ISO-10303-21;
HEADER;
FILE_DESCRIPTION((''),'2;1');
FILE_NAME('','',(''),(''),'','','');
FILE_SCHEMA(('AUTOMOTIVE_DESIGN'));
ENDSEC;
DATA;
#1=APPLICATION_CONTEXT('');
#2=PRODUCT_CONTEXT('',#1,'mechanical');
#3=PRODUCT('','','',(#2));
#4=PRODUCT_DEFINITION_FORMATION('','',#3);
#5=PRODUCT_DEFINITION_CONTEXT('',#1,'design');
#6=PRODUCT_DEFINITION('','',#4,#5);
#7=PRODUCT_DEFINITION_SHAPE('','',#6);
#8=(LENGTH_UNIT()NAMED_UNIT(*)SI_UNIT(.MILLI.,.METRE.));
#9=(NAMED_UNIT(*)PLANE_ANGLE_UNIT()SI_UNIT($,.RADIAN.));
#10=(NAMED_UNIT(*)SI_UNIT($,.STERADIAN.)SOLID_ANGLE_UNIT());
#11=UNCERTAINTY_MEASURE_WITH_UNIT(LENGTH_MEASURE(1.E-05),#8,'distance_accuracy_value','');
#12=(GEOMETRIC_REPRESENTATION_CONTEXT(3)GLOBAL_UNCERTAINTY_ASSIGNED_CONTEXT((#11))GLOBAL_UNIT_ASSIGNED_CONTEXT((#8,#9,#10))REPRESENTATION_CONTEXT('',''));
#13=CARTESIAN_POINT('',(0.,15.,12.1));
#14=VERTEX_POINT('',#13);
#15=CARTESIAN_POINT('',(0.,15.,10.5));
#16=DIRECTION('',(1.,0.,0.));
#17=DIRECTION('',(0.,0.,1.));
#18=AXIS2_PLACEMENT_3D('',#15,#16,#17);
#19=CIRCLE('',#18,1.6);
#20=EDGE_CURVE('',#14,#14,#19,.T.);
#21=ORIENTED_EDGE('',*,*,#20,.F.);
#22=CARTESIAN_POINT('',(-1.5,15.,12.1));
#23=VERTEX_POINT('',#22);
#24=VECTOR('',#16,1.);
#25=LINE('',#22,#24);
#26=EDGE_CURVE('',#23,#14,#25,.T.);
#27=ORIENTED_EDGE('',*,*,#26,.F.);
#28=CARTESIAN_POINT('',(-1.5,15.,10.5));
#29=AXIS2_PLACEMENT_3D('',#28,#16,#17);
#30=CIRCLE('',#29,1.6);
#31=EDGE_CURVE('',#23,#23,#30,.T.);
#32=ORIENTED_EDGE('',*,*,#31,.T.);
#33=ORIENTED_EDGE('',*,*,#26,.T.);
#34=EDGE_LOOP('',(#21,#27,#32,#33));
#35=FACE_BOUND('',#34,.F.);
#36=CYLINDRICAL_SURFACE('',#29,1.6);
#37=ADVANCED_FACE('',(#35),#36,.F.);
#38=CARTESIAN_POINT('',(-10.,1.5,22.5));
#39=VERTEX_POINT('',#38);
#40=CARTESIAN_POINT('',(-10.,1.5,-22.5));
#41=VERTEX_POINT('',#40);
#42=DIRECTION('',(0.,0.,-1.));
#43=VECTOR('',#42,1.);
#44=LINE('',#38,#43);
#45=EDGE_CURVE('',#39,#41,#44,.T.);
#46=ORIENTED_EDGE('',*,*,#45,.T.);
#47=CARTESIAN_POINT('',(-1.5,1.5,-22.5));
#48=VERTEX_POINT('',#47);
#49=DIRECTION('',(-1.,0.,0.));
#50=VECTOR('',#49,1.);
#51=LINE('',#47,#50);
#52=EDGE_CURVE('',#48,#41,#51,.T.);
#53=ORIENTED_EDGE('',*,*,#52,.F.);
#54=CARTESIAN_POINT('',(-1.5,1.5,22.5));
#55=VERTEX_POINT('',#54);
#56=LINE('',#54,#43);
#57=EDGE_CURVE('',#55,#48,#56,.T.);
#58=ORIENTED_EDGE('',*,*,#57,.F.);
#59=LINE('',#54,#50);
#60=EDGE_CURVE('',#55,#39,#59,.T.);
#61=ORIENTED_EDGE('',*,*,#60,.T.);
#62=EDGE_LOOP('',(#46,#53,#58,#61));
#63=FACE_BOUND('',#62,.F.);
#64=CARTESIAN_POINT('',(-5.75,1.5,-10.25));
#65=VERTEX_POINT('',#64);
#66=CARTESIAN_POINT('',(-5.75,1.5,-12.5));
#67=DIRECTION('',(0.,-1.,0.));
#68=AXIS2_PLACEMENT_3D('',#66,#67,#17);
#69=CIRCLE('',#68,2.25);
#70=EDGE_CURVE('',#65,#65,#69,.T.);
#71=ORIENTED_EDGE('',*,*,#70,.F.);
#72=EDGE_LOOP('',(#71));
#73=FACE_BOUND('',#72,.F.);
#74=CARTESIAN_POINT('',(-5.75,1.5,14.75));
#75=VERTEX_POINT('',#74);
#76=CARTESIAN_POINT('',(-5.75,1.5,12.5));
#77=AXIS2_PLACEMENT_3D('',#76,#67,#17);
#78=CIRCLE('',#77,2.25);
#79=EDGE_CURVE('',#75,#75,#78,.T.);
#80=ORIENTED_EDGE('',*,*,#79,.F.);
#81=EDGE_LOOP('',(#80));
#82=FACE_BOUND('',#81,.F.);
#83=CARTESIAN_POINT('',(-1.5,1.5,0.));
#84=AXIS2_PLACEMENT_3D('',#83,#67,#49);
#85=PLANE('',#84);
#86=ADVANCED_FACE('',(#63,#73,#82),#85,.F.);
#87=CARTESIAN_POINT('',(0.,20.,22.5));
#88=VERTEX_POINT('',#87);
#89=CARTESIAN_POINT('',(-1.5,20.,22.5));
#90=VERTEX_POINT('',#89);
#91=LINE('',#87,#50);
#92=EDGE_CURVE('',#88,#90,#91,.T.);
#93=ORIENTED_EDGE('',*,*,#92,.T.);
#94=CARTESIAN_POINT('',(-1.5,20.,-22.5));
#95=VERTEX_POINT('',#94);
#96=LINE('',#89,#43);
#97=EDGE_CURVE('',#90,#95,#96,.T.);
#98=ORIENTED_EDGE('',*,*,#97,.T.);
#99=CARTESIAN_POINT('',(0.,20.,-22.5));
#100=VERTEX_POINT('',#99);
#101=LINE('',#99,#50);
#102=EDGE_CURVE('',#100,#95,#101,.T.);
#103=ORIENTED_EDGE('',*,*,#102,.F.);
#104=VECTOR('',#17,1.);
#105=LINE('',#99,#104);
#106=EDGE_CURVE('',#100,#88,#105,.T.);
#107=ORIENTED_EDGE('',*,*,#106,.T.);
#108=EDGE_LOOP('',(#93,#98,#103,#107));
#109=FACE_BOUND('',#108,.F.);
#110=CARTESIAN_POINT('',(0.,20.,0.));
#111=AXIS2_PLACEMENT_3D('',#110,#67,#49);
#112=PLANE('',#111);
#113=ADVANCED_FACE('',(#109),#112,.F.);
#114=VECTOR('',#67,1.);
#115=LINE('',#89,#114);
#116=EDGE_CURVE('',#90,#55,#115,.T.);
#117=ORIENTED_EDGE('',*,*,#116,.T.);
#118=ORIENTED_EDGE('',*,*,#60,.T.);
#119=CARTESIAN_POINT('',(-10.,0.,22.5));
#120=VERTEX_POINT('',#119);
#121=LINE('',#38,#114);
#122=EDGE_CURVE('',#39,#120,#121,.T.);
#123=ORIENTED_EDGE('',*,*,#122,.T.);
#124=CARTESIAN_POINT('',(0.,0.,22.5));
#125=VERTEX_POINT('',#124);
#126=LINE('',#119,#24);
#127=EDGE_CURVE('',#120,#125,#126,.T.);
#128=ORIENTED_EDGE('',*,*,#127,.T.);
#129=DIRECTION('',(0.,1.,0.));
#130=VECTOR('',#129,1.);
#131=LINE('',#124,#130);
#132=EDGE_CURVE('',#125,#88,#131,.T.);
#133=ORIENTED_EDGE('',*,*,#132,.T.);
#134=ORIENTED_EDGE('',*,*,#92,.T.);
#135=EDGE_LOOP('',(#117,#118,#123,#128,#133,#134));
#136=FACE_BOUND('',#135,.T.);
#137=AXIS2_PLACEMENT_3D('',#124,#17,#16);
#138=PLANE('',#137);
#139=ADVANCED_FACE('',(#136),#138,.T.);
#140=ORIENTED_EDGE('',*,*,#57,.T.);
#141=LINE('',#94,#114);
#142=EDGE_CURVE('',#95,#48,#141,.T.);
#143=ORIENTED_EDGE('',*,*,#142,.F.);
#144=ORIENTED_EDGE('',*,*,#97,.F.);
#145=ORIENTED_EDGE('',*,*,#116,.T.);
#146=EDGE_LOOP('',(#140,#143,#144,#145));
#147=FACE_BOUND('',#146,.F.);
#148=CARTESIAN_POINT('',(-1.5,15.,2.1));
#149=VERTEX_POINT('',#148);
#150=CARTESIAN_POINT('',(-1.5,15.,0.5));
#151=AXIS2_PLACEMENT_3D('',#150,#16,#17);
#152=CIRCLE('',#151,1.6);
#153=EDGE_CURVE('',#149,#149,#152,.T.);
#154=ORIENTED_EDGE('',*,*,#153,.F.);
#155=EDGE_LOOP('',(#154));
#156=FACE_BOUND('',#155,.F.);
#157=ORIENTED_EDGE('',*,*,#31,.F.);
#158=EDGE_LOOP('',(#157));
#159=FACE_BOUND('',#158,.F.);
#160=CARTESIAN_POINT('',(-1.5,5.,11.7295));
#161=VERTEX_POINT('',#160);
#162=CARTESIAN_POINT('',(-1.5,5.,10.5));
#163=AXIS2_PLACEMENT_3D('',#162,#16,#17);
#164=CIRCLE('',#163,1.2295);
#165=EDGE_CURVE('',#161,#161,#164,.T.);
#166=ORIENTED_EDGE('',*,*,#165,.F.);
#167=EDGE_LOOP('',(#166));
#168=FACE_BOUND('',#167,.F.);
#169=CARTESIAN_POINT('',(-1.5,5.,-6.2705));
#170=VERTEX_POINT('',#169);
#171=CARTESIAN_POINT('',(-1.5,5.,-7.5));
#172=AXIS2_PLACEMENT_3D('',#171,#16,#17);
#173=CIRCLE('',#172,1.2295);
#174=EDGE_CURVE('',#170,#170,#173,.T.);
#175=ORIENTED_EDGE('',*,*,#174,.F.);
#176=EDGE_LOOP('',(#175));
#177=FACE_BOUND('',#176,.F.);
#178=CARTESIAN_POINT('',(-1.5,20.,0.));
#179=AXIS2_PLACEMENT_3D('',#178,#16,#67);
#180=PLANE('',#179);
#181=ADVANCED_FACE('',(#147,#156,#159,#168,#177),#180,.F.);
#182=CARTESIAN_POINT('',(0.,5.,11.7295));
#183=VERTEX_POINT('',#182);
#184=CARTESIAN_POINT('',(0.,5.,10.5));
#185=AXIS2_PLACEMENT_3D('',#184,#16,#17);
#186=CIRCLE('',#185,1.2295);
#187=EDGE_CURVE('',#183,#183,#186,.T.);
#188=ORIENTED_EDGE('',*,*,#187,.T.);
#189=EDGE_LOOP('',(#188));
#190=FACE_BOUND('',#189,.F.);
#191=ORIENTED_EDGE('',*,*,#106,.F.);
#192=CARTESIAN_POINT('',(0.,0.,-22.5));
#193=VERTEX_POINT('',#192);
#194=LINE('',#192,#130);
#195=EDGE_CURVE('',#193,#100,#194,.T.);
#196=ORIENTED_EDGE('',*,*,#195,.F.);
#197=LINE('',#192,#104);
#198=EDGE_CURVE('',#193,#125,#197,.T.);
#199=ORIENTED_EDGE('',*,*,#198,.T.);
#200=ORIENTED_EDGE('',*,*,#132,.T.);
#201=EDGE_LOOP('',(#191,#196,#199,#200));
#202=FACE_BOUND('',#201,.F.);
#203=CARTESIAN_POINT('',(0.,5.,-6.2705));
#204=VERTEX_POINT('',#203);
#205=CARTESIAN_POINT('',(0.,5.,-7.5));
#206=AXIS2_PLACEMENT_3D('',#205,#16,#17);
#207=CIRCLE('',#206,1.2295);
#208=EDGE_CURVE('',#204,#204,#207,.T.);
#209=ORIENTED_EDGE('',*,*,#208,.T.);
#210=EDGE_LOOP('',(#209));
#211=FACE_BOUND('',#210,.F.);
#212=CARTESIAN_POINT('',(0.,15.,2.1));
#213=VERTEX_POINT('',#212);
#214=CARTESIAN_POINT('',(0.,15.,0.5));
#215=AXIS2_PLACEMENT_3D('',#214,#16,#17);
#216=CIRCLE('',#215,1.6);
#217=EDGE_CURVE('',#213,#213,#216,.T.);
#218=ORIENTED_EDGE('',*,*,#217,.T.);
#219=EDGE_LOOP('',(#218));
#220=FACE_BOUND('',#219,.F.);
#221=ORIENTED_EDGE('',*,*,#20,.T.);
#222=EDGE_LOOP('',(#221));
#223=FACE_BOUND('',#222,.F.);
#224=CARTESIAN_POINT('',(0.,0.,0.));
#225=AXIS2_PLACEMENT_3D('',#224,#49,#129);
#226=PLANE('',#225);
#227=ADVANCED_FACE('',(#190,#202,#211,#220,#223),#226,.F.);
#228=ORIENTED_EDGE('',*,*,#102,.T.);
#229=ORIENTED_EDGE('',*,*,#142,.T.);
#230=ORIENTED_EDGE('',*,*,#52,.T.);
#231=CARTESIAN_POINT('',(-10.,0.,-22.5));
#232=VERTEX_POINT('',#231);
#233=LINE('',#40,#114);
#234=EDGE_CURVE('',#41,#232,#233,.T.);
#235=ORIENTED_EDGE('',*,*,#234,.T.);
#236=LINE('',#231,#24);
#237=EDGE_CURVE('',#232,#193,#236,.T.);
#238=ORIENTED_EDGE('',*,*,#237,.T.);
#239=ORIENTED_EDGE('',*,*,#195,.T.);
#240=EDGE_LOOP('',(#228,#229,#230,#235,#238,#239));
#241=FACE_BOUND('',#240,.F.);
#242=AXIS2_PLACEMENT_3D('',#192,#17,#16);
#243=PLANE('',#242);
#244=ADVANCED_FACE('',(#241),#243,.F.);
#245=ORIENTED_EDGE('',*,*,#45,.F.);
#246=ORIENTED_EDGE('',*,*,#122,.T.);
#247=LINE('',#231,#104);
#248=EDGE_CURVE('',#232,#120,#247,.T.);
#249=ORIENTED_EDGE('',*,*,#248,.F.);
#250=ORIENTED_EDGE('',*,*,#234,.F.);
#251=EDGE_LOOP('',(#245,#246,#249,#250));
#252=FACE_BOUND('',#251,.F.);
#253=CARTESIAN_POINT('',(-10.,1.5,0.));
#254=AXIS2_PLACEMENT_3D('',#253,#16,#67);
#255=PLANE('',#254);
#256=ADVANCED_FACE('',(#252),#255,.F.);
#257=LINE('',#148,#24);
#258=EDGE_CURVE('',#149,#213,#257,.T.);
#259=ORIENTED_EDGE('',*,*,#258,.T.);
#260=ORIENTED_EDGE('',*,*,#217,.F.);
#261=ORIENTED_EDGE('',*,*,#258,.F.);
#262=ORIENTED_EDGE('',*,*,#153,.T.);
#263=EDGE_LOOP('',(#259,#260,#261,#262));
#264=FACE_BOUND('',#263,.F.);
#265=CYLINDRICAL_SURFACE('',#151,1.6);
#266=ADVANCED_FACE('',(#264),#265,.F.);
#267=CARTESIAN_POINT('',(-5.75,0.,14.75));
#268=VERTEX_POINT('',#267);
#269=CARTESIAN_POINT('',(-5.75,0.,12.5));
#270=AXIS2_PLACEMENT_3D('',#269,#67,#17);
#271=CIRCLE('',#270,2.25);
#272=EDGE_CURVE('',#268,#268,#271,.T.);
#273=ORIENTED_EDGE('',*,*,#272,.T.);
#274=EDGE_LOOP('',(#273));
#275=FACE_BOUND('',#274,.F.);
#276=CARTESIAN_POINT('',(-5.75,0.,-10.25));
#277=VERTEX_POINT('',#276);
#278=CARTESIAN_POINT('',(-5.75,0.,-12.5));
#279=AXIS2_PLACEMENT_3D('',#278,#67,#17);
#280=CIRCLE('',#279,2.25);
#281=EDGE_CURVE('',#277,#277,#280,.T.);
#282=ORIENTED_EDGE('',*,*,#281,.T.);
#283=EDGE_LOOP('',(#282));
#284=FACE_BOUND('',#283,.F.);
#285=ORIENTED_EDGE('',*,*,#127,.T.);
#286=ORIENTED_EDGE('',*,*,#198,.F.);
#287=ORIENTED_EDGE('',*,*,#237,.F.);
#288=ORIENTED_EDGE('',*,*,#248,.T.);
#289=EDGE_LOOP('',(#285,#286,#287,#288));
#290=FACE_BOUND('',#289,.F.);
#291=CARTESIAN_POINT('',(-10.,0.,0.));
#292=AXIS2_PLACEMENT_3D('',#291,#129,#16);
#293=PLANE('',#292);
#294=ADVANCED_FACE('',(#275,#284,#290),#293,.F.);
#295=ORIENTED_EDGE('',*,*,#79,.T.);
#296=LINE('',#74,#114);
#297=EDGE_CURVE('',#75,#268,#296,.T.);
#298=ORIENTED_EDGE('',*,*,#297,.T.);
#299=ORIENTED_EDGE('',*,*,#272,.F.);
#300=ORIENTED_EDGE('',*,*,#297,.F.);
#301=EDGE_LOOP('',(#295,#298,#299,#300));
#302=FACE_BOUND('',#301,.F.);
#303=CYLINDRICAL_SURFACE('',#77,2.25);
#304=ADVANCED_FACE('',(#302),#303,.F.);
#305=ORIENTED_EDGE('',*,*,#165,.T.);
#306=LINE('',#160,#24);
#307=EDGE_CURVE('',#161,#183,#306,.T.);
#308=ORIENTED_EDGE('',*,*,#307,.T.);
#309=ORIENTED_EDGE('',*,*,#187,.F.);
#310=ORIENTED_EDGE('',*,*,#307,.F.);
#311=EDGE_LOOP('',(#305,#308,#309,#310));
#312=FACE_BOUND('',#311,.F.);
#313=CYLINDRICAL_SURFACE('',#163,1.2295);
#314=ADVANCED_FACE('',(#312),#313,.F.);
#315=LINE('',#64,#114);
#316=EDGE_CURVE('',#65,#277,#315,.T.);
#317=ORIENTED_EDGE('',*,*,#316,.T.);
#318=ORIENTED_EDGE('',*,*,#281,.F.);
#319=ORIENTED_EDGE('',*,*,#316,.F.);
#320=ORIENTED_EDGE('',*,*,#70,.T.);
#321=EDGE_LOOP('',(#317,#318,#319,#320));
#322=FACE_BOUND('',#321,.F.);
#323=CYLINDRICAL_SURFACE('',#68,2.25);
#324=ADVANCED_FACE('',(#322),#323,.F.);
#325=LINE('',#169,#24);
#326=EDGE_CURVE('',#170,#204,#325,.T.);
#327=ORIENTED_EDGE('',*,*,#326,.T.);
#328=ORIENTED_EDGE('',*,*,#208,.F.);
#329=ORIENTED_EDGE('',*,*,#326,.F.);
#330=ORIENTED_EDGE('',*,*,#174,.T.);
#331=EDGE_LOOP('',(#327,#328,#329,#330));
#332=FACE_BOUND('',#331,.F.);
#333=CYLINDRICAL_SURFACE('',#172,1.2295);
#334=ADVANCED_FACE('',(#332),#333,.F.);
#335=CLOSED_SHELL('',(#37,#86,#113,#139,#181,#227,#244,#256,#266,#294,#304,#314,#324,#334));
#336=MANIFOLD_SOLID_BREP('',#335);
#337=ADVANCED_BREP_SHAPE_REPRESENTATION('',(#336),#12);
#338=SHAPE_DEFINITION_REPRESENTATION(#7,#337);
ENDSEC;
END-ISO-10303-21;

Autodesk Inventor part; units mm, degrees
ref_plane "YZ Plane" through (0, 0, 0) normal (1, 0, 0) x (0, 1, 0)
ref_plane "XZ Plane" through (0, 0, 0) normal (0, 1, 0) x (-1, 0, 0)
ref_plane "XY Plane" through (0, 0, 0) normal (0, 0, 1) x (1, 0, 0)
sketch "Náčrt1" plane through (0, 0, 0) normal (0, 0, 1) x (1, 0, 0)
  line L0 (-10, 0) -> (0, 0)
  line L1 (0, 0) -> (0, 20)
  line L2 (0, 20) -> (-1.5, 20)
  line L3 (-1.5, 20) -> (-1.5, 1.5)
  line L4 (-1.5, 1.5) -> (-10, 1.5)
  line L5 (-10, 1.5) -> (-10, 0)
  line L6 (-12, 0) -> (2, 0) projected
  line L7 (0, 24) -> (0, -4) projected
  point P0 (0, 0)
  dimension "d0" = 20
  dimension "d1" = 10
  dimension "d2" = 1.5
  dimension "d3" = 1.5
extrude "Vysunutí1" add sketch "Náčrt1" along normal mid plane 45
sketch "Náčrt2" plane through (-10, 1.5, 22.5) normal (0, 1, 0) x (1, 0, 0)
  line L0 (0, 0) -> (0, 45) projected
  line L1 (8.5, 0) -> (0, 0) projected
  line L2 (8.5, 45) -> (8.5, 0) projected
  line L3 (0, 45) -> (8.5, 45) projected
  point P0 (10, 22.5)
  point P1 (4.25, 35)
  point P2 (4.25, 10)
  point P3 (4.25, 0)
  dimension "d6" = 4.25
  dimension "d7" = 4.25
  dimension "d8" = 25
  dimension "d9" = 10
hole "Díra1" at (-5.75, 1.5, -12.5) at (-5.75, 1.5, 12.5) direction (0, -1, 0) diameter 4.5 end through all
sketch "Náčrt3" plane through (-1.5, 1.5, 22.5) normal (-1, 0, 0) x (0, 0, 1)
  line L0 (-45, 0) -> (0, 0) projected
  line L1 (0, 18.5) -> (0, 0) projected
  line L2 (-45, 18.5) -> (0, 18.5) projected
  line L3 (-45, 0) -> (-45, 18.5) projected
  point P0 (-22.5, -1.5)
  point P1 (-12, 13.5)
  point P2 (-22, 13.5)
  dimension "d17" = 10
  dimension "d18" = 5
  dimension "d19" = 5
  dimension "d20" = 12
hole "Díra2" at (-1.5, 15, 10.5) at (-1.5, 15, 0.5) direction (1, 0, 0) diameter 3.2 end through all
sketch "Náčrt4" plane through (-1.5, 1.5, 22.5) normal (-1, 0, 0) x (0, 0, 1)
  circle A0 centre (-22, 13.5) radius 1.6 projected
  circle A1 centre (-12, 13.5) radius 1.6 projected
  line L0 (-45, 0) -> (0, 0) projected
  line L1 (0, 18.5) -> (0, 0) projected
  line L2 (-45, 18.5) -> (0, 18.5) projected
  line L3 (-45, 0) -> (-45, 18.5) projected
  line L4 (-45, -1.5) -> (0, -1.5) projected
  point P0 (-22.5, -1.5)
  point P1 (-30, 3.5)
  point P2 (-12, 3.5)
  dimension "d28" = 5
  dimension "d29" = 5
  dimension "d30" = 18
  dimension "d31" = 12
hole "Díra3" at (-1.5, 5, -7.5) at (-1.5, 5, 10.5) direction (1, 0, 0) diameter 2.459 end through all thread size "M3x0.5" class "6H" standard "ISO Metric profile"
properties part number "x_bracket" material "Hliník 6061"
